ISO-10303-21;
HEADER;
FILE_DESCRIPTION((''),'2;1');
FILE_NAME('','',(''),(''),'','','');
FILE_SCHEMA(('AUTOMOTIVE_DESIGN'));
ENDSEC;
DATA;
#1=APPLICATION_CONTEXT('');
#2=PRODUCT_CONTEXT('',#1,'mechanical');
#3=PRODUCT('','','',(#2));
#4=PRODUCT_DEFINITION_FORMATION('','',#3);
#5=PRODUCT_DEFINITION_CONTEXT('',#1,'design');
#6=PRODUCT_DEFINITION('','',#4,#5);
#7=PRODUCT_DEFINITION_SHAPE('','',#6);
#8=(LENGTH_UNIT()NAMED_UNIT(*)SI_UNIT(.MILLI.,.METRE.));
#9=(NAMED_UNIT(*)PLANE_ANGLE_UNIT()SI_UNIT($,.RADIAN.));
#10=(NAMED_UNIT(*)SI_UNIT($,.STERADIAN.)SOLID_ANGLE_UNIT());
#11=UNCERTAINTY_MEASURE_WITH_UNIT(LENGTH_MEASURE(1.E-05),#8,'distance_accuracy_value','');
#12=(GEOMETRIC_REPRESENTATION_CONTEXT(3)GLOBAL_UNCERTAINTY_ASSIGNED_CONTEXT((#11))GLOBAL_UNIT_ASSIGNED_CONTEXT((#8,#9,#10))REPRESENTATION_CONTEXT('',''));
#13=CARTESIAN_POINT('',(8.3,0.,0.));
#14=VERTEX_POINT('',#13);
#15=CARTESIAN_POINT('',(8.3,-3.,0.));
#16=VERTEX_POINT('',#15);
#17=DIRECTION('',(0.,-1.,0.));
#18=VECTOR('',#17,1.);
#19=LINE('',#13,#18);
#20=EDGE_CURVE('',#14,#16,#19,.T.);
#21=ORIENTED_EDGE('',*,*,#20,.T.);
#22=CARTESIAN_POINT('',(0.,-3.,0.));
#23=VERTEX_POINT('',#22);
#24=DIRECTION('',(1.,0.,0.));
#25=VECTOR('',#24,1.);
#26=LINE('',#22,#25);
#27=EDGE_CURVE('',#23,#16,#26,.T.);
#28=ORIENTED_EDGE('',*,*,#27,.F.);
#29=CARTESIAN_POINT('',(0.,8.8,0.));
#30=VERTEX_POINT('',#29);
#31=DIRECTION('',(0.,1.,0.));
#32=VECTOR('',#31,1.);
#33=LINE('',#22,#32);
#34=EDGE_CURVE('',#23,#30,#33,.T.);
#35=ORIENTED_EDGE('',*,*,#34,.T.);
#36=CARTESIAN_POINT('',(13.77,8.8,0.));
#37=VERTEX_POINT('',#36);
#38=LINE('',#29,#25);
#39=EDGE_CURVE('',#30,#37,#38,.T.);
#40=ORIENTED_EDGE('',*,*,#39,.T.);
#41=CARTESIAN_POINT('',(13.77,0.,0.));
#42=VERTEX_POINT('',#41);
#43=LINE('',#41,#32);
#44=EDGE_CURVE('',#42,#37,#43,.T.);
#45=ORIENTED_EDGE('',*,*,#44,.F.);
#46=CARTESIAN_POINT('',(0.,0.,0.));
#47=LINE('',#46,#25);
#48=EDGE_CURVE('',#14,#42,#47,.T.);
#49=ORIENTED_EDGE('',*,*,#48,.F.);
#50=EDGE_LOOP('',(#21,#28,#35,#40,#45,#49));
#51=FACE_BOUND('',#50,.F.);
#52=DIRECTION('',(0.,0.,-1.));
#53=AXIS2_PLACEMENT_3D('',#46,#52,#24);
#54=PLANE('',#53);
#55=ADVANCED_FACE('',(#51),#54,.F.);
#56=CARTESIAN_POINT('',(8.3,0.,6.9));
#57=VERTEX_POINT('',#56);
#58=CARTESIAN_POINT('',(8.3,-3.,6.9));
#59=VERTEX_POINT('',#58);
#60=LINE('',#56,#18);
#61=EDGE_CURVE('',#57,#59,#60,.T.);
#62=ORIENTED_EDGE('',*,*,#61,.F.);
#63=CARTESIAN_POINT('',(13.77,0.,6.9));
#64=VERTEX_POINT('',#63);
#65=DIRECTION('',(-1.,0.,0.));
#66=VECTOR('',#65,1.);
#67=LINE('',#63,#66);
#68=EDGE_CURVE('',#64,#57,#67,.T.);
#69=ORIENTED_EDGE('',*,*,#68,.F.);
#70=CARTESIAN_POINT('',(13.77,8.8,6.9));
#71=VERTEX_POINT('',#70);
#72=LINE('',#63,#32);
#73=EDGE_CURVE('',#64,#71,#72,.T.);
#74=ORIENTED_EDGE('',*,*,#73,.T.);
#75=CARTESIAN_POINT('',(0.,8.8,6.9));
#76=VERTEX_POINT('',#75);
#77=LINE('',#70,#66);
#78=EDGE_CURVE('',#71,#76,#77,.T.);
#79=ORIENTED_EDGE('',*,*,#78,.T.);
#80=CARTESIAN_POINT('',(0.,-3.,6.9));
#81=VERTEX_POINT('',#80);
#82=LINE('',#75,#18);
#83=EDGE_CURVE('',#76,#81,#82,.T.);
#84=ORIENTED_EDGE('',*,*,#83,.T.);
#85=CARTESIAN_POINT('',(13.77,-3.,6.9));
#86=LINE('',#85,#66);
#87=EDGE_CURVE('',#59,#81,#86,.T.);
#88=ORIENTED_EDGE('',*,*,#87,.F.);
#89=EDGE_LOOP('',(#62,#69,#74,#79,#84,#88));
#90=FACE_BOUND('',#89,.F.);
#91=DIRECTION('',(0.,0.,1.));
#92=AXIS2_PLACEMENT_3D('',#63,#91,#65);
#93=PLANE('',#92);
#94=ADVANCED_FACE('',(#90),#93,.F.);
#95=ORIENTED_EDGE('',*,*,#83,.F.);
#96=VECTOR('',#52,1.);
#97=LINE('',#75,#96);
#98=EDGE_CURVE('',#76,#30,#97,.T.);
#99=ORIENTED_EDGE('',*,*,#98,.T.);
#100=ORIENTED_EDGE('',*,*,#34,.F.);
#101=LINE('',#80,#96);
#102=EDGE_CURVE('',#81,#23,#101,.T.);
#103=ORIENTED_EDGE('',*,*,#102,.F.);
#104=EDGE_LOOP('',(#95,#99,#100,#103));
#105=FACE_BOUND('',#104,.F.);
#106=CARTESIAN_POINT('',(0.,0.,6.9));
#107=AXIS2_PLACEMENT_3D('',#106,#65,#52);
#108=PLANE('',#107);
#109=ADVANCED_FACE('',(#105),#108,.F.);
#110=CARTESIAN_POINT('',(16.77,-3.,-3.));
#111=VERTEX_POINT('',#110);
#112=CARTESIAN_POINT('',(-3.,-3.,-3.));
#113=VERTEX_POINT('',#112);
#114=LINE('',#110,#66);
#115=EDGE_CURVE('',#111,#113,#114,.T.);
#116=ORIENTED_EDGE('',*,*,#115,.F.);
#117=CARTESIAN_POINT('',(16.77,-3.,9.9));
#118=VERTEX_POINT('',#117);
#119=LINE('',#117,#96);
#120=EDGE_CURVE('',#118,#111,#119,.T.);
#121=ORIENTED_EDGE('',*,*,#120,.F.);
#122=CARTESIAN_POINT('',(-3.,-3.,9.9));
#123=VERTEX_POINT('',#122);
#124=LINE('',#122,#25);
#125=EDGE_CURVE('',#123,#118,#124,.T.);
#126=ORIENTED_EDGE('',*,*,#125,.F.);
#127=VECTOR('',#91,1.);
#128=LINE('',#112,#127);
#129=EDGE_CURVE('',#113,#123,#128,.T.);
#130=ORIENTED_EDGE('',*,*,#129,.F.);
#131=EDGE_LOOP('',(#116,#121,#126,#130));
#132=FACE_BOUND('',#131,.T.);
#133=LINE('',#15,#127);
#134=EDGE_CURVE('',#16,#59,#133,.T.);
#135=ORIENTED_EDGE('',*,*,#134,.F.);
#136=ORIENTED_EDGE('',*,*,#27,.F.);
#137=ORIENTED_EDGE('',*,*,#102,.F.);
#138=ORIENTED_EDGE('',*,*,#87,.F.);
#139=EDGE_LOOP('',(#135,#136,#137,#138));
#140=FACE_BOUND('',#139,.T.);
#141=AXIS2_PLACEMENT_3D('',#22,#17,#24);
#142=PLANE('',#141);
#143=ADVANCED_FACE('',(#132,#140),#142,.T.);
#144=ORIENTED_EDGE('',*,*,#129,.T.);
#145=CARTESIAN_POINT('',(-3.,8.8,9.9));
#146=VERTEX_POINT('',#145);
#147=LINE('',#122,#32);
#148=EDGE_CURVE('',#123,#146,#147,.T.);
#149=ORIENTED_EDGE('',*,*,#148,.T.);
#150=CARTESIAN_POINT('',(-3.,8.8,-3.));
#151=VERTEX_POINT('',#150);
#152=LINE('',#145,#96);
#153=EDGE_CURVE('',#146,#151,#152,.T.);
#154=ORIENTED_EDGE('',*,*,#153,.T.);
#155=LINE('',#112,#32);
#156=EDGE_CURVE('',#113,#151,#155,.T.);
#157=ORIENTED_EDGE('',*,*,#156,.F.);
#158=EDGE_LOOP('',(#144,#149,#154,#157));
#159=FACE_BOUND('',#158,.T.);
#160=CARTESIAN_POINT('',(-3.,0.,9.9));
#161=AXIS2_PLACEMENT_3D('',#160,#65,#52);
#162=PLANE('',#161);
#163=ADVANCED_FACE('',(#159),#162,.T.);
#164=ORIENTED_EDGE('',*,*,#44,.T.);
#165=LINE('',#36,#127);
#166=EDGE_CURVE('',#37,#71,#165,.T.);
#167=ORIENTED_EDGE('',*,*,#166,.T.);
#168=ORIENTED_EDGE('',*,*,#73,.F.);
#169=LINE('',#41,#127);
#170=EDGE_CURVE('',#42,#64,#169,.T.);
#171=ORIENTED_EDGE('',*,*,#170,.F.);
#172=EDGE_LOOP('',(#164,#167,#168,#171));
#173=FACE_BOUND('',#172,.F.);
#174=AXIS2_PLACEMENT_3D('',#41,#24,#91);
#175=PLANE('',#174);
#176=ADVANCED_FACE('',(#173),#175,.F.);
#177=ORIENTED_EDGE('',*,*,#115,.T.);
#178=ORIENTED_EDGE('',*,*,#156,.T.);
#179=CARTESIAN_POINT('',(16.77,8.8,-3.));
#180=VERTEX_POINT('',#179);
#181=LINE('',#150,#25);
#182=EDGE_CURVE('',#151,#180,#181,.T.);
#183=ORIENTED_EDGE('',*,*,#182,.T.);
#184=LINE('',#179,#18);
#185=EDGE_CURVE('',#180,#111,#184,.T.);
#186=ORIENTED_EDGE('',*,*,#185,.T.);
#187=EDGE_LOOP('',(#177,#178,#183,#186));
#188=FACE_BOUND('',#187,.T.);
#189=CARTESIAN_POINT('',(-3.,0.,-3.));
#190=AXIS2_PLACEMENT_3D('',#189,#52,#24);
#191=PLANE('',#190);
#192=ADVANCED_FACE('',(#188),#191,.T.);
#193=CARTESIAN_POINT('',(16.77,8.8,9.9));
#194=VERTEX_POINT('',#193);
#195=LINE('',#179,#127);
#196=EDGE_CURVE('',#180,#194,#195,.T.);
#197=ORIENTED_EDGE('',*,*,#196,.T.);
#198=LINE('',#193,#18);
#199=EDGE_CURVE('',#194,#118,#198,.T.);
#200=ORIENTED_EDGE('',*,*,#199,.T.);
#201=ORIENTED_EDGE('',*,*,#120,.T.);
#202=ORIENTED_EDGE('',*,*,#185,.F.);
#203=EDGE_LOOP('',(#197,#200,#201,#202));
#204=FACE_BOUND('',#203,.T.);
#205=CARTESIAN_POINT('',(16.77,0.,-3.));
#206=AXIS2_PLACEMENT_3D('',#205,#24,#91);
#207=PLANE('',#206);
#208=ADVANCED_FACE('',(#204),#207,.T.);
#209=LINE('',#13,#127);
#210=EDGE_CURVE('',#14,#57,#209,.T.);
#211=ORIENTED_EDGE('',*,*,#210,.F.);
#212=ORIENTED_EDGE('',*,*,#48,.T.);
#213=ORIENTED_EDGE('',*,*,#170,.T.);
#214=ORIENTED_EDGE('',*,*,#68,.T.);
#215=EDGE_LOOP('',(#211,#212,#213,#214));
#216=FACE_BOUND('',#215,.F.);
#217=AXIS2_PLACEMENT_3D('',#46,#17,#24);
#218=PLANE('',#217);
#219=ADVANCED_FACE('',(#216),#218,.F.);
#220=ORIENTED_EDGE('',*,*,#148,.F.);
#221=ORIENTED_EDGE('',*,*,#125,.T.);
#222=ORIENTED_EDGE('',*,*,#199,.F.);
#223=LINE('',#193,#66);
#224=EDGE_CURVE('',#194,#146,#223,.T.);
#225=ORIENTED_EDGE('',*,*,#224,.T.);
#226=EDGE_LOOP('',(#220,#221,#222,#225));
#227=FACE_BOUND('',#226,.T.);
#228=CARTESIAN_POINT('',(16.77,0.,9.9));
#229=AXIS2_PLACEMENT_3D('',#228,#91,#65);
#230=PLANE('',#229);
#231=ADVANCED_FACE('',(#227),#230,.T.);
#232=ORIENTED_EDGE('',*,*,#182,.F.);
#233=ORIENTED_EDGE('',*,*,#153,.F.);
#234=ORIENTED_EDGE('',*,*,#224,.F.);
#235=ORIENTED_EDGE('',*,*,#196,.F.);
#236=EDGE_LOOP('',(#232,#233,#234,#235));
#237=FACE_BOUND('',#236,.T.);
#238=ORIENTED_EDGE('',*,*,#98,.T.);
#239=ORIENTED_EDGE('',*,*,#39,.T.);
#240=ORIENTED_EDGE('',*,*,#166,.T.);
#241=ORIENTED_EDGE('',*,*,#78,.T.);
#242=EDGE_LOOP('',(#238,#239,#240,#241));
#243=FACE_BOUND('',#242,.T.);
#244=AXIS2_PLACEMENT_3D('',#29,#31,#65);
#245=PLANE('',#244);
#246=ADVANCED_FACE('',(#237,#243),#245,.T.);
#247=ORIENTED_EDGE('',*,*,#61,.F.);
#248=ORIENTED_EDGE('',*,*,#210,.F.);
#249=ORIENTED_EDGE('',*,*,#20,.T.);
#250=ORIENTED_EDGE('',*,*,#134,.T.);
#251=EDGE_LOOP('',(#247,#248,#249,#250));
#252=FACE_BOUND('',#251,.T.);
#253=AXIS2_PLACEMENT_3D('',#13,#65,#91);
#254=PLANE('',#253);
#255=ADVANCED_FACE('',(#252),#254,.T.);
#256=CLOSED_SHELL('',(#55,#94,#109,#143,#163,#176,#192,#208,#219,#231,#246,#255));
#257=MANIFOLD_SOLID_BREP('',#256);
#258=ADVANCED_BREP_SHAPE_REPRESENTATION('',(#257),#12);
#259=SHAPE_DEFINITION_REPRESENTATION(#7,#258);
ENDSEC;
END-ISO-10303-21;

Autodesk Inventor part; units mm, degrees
ref_plane "YZ Plane" through (0, 0, 0) normal (1, 0, 0) x (0, 1, 0)
ref_plane "XZ Plane" through (0, 0, 0) normal (0, 1, 0) x (-1, 0, 0)
ref_plane "XY Plane" through (0, 0, 0) normal (0, 0, 1) x (1, 0, 0)
sketch "Sketch1" plane through (0, 0, 0) normal (0, 1, 0) x (-1, 0, 0)
  line L0 (0, 0) -> (-13.77, 0)
  line L1 (-13.77, 0) -> (-13.77, 6.9)
  line L2 (-13.77, 6.9) -> (0, 6.9)
  line L3 (0, 6.9) -> (0, 0)
  line L4 (3, -3) -> (-16.77, -3)
  line L5 (-16.77, -3) -> (-16.77, 9.9)
  line L6 (-16.77, 9.9) -> (3, 9.9)
  line L7 (3, 9.9) -> (3, -3)
  point P0 (-6.885, -3)
  point P1 (-6.885, 0)
  point P2 (3, 3.45)
  dimension "d0" = 13.77
  dimension "d1" = 6.9
  dimension "d2" = 3
  dimension "d3" = 3
  dimension "d4" = 3
  dimension "d5" = 3
extrude "Extrusion1" add sketch "Sketch1" along normal blind 8.8
sketch "Sketch2" plane through (0, 0, 0) normal (0, -1, 0) x (1, 0, 0)
  line L0 (-3, 9.9) -> (16.77, 9.9) projected
  line L1 (16.77, -3) -> (-3, -3) projected
  line L2 (-3, 9.9) -> (16.77, 9.9)
  line L3 (16.77, 9.9) -> (16.77, -3)
  line L4 (16.77, -3) -> (-3, -3)
  line L5 (-3, -3) -> (-3, 9.9)
  point P0 (0, 0)
  point P1 (16.77, 9.9)
extrude "Extrusion2" add sketch "Sketch2" along normal blind 3
sketch "Sketch3" plane through (0, 0, 0) normal (0, 1, 0) x (1, 0, 0)
  line L0 (0, -6.9) -> (0, 0) projected
  line L1 (13.77, -6.9) -> (0, -6.9) projected
  line L2 (0, 0) -> (8.3, 0)
  line L3 (8.3, 0) -> (8.3, -6.9)
  line L4 (8.3, -6.9) -> (0, -6.9)
  line L5 (0, -6.9) -> (0, 0)
  dimension "d10" = 8.3
extrude "Extrusion3" cut sketch "Sketch3" against normal blind 3
equation "\"d3\" = d2"
equation "\"d5\" = d4"
properties part number "switch test v02"
